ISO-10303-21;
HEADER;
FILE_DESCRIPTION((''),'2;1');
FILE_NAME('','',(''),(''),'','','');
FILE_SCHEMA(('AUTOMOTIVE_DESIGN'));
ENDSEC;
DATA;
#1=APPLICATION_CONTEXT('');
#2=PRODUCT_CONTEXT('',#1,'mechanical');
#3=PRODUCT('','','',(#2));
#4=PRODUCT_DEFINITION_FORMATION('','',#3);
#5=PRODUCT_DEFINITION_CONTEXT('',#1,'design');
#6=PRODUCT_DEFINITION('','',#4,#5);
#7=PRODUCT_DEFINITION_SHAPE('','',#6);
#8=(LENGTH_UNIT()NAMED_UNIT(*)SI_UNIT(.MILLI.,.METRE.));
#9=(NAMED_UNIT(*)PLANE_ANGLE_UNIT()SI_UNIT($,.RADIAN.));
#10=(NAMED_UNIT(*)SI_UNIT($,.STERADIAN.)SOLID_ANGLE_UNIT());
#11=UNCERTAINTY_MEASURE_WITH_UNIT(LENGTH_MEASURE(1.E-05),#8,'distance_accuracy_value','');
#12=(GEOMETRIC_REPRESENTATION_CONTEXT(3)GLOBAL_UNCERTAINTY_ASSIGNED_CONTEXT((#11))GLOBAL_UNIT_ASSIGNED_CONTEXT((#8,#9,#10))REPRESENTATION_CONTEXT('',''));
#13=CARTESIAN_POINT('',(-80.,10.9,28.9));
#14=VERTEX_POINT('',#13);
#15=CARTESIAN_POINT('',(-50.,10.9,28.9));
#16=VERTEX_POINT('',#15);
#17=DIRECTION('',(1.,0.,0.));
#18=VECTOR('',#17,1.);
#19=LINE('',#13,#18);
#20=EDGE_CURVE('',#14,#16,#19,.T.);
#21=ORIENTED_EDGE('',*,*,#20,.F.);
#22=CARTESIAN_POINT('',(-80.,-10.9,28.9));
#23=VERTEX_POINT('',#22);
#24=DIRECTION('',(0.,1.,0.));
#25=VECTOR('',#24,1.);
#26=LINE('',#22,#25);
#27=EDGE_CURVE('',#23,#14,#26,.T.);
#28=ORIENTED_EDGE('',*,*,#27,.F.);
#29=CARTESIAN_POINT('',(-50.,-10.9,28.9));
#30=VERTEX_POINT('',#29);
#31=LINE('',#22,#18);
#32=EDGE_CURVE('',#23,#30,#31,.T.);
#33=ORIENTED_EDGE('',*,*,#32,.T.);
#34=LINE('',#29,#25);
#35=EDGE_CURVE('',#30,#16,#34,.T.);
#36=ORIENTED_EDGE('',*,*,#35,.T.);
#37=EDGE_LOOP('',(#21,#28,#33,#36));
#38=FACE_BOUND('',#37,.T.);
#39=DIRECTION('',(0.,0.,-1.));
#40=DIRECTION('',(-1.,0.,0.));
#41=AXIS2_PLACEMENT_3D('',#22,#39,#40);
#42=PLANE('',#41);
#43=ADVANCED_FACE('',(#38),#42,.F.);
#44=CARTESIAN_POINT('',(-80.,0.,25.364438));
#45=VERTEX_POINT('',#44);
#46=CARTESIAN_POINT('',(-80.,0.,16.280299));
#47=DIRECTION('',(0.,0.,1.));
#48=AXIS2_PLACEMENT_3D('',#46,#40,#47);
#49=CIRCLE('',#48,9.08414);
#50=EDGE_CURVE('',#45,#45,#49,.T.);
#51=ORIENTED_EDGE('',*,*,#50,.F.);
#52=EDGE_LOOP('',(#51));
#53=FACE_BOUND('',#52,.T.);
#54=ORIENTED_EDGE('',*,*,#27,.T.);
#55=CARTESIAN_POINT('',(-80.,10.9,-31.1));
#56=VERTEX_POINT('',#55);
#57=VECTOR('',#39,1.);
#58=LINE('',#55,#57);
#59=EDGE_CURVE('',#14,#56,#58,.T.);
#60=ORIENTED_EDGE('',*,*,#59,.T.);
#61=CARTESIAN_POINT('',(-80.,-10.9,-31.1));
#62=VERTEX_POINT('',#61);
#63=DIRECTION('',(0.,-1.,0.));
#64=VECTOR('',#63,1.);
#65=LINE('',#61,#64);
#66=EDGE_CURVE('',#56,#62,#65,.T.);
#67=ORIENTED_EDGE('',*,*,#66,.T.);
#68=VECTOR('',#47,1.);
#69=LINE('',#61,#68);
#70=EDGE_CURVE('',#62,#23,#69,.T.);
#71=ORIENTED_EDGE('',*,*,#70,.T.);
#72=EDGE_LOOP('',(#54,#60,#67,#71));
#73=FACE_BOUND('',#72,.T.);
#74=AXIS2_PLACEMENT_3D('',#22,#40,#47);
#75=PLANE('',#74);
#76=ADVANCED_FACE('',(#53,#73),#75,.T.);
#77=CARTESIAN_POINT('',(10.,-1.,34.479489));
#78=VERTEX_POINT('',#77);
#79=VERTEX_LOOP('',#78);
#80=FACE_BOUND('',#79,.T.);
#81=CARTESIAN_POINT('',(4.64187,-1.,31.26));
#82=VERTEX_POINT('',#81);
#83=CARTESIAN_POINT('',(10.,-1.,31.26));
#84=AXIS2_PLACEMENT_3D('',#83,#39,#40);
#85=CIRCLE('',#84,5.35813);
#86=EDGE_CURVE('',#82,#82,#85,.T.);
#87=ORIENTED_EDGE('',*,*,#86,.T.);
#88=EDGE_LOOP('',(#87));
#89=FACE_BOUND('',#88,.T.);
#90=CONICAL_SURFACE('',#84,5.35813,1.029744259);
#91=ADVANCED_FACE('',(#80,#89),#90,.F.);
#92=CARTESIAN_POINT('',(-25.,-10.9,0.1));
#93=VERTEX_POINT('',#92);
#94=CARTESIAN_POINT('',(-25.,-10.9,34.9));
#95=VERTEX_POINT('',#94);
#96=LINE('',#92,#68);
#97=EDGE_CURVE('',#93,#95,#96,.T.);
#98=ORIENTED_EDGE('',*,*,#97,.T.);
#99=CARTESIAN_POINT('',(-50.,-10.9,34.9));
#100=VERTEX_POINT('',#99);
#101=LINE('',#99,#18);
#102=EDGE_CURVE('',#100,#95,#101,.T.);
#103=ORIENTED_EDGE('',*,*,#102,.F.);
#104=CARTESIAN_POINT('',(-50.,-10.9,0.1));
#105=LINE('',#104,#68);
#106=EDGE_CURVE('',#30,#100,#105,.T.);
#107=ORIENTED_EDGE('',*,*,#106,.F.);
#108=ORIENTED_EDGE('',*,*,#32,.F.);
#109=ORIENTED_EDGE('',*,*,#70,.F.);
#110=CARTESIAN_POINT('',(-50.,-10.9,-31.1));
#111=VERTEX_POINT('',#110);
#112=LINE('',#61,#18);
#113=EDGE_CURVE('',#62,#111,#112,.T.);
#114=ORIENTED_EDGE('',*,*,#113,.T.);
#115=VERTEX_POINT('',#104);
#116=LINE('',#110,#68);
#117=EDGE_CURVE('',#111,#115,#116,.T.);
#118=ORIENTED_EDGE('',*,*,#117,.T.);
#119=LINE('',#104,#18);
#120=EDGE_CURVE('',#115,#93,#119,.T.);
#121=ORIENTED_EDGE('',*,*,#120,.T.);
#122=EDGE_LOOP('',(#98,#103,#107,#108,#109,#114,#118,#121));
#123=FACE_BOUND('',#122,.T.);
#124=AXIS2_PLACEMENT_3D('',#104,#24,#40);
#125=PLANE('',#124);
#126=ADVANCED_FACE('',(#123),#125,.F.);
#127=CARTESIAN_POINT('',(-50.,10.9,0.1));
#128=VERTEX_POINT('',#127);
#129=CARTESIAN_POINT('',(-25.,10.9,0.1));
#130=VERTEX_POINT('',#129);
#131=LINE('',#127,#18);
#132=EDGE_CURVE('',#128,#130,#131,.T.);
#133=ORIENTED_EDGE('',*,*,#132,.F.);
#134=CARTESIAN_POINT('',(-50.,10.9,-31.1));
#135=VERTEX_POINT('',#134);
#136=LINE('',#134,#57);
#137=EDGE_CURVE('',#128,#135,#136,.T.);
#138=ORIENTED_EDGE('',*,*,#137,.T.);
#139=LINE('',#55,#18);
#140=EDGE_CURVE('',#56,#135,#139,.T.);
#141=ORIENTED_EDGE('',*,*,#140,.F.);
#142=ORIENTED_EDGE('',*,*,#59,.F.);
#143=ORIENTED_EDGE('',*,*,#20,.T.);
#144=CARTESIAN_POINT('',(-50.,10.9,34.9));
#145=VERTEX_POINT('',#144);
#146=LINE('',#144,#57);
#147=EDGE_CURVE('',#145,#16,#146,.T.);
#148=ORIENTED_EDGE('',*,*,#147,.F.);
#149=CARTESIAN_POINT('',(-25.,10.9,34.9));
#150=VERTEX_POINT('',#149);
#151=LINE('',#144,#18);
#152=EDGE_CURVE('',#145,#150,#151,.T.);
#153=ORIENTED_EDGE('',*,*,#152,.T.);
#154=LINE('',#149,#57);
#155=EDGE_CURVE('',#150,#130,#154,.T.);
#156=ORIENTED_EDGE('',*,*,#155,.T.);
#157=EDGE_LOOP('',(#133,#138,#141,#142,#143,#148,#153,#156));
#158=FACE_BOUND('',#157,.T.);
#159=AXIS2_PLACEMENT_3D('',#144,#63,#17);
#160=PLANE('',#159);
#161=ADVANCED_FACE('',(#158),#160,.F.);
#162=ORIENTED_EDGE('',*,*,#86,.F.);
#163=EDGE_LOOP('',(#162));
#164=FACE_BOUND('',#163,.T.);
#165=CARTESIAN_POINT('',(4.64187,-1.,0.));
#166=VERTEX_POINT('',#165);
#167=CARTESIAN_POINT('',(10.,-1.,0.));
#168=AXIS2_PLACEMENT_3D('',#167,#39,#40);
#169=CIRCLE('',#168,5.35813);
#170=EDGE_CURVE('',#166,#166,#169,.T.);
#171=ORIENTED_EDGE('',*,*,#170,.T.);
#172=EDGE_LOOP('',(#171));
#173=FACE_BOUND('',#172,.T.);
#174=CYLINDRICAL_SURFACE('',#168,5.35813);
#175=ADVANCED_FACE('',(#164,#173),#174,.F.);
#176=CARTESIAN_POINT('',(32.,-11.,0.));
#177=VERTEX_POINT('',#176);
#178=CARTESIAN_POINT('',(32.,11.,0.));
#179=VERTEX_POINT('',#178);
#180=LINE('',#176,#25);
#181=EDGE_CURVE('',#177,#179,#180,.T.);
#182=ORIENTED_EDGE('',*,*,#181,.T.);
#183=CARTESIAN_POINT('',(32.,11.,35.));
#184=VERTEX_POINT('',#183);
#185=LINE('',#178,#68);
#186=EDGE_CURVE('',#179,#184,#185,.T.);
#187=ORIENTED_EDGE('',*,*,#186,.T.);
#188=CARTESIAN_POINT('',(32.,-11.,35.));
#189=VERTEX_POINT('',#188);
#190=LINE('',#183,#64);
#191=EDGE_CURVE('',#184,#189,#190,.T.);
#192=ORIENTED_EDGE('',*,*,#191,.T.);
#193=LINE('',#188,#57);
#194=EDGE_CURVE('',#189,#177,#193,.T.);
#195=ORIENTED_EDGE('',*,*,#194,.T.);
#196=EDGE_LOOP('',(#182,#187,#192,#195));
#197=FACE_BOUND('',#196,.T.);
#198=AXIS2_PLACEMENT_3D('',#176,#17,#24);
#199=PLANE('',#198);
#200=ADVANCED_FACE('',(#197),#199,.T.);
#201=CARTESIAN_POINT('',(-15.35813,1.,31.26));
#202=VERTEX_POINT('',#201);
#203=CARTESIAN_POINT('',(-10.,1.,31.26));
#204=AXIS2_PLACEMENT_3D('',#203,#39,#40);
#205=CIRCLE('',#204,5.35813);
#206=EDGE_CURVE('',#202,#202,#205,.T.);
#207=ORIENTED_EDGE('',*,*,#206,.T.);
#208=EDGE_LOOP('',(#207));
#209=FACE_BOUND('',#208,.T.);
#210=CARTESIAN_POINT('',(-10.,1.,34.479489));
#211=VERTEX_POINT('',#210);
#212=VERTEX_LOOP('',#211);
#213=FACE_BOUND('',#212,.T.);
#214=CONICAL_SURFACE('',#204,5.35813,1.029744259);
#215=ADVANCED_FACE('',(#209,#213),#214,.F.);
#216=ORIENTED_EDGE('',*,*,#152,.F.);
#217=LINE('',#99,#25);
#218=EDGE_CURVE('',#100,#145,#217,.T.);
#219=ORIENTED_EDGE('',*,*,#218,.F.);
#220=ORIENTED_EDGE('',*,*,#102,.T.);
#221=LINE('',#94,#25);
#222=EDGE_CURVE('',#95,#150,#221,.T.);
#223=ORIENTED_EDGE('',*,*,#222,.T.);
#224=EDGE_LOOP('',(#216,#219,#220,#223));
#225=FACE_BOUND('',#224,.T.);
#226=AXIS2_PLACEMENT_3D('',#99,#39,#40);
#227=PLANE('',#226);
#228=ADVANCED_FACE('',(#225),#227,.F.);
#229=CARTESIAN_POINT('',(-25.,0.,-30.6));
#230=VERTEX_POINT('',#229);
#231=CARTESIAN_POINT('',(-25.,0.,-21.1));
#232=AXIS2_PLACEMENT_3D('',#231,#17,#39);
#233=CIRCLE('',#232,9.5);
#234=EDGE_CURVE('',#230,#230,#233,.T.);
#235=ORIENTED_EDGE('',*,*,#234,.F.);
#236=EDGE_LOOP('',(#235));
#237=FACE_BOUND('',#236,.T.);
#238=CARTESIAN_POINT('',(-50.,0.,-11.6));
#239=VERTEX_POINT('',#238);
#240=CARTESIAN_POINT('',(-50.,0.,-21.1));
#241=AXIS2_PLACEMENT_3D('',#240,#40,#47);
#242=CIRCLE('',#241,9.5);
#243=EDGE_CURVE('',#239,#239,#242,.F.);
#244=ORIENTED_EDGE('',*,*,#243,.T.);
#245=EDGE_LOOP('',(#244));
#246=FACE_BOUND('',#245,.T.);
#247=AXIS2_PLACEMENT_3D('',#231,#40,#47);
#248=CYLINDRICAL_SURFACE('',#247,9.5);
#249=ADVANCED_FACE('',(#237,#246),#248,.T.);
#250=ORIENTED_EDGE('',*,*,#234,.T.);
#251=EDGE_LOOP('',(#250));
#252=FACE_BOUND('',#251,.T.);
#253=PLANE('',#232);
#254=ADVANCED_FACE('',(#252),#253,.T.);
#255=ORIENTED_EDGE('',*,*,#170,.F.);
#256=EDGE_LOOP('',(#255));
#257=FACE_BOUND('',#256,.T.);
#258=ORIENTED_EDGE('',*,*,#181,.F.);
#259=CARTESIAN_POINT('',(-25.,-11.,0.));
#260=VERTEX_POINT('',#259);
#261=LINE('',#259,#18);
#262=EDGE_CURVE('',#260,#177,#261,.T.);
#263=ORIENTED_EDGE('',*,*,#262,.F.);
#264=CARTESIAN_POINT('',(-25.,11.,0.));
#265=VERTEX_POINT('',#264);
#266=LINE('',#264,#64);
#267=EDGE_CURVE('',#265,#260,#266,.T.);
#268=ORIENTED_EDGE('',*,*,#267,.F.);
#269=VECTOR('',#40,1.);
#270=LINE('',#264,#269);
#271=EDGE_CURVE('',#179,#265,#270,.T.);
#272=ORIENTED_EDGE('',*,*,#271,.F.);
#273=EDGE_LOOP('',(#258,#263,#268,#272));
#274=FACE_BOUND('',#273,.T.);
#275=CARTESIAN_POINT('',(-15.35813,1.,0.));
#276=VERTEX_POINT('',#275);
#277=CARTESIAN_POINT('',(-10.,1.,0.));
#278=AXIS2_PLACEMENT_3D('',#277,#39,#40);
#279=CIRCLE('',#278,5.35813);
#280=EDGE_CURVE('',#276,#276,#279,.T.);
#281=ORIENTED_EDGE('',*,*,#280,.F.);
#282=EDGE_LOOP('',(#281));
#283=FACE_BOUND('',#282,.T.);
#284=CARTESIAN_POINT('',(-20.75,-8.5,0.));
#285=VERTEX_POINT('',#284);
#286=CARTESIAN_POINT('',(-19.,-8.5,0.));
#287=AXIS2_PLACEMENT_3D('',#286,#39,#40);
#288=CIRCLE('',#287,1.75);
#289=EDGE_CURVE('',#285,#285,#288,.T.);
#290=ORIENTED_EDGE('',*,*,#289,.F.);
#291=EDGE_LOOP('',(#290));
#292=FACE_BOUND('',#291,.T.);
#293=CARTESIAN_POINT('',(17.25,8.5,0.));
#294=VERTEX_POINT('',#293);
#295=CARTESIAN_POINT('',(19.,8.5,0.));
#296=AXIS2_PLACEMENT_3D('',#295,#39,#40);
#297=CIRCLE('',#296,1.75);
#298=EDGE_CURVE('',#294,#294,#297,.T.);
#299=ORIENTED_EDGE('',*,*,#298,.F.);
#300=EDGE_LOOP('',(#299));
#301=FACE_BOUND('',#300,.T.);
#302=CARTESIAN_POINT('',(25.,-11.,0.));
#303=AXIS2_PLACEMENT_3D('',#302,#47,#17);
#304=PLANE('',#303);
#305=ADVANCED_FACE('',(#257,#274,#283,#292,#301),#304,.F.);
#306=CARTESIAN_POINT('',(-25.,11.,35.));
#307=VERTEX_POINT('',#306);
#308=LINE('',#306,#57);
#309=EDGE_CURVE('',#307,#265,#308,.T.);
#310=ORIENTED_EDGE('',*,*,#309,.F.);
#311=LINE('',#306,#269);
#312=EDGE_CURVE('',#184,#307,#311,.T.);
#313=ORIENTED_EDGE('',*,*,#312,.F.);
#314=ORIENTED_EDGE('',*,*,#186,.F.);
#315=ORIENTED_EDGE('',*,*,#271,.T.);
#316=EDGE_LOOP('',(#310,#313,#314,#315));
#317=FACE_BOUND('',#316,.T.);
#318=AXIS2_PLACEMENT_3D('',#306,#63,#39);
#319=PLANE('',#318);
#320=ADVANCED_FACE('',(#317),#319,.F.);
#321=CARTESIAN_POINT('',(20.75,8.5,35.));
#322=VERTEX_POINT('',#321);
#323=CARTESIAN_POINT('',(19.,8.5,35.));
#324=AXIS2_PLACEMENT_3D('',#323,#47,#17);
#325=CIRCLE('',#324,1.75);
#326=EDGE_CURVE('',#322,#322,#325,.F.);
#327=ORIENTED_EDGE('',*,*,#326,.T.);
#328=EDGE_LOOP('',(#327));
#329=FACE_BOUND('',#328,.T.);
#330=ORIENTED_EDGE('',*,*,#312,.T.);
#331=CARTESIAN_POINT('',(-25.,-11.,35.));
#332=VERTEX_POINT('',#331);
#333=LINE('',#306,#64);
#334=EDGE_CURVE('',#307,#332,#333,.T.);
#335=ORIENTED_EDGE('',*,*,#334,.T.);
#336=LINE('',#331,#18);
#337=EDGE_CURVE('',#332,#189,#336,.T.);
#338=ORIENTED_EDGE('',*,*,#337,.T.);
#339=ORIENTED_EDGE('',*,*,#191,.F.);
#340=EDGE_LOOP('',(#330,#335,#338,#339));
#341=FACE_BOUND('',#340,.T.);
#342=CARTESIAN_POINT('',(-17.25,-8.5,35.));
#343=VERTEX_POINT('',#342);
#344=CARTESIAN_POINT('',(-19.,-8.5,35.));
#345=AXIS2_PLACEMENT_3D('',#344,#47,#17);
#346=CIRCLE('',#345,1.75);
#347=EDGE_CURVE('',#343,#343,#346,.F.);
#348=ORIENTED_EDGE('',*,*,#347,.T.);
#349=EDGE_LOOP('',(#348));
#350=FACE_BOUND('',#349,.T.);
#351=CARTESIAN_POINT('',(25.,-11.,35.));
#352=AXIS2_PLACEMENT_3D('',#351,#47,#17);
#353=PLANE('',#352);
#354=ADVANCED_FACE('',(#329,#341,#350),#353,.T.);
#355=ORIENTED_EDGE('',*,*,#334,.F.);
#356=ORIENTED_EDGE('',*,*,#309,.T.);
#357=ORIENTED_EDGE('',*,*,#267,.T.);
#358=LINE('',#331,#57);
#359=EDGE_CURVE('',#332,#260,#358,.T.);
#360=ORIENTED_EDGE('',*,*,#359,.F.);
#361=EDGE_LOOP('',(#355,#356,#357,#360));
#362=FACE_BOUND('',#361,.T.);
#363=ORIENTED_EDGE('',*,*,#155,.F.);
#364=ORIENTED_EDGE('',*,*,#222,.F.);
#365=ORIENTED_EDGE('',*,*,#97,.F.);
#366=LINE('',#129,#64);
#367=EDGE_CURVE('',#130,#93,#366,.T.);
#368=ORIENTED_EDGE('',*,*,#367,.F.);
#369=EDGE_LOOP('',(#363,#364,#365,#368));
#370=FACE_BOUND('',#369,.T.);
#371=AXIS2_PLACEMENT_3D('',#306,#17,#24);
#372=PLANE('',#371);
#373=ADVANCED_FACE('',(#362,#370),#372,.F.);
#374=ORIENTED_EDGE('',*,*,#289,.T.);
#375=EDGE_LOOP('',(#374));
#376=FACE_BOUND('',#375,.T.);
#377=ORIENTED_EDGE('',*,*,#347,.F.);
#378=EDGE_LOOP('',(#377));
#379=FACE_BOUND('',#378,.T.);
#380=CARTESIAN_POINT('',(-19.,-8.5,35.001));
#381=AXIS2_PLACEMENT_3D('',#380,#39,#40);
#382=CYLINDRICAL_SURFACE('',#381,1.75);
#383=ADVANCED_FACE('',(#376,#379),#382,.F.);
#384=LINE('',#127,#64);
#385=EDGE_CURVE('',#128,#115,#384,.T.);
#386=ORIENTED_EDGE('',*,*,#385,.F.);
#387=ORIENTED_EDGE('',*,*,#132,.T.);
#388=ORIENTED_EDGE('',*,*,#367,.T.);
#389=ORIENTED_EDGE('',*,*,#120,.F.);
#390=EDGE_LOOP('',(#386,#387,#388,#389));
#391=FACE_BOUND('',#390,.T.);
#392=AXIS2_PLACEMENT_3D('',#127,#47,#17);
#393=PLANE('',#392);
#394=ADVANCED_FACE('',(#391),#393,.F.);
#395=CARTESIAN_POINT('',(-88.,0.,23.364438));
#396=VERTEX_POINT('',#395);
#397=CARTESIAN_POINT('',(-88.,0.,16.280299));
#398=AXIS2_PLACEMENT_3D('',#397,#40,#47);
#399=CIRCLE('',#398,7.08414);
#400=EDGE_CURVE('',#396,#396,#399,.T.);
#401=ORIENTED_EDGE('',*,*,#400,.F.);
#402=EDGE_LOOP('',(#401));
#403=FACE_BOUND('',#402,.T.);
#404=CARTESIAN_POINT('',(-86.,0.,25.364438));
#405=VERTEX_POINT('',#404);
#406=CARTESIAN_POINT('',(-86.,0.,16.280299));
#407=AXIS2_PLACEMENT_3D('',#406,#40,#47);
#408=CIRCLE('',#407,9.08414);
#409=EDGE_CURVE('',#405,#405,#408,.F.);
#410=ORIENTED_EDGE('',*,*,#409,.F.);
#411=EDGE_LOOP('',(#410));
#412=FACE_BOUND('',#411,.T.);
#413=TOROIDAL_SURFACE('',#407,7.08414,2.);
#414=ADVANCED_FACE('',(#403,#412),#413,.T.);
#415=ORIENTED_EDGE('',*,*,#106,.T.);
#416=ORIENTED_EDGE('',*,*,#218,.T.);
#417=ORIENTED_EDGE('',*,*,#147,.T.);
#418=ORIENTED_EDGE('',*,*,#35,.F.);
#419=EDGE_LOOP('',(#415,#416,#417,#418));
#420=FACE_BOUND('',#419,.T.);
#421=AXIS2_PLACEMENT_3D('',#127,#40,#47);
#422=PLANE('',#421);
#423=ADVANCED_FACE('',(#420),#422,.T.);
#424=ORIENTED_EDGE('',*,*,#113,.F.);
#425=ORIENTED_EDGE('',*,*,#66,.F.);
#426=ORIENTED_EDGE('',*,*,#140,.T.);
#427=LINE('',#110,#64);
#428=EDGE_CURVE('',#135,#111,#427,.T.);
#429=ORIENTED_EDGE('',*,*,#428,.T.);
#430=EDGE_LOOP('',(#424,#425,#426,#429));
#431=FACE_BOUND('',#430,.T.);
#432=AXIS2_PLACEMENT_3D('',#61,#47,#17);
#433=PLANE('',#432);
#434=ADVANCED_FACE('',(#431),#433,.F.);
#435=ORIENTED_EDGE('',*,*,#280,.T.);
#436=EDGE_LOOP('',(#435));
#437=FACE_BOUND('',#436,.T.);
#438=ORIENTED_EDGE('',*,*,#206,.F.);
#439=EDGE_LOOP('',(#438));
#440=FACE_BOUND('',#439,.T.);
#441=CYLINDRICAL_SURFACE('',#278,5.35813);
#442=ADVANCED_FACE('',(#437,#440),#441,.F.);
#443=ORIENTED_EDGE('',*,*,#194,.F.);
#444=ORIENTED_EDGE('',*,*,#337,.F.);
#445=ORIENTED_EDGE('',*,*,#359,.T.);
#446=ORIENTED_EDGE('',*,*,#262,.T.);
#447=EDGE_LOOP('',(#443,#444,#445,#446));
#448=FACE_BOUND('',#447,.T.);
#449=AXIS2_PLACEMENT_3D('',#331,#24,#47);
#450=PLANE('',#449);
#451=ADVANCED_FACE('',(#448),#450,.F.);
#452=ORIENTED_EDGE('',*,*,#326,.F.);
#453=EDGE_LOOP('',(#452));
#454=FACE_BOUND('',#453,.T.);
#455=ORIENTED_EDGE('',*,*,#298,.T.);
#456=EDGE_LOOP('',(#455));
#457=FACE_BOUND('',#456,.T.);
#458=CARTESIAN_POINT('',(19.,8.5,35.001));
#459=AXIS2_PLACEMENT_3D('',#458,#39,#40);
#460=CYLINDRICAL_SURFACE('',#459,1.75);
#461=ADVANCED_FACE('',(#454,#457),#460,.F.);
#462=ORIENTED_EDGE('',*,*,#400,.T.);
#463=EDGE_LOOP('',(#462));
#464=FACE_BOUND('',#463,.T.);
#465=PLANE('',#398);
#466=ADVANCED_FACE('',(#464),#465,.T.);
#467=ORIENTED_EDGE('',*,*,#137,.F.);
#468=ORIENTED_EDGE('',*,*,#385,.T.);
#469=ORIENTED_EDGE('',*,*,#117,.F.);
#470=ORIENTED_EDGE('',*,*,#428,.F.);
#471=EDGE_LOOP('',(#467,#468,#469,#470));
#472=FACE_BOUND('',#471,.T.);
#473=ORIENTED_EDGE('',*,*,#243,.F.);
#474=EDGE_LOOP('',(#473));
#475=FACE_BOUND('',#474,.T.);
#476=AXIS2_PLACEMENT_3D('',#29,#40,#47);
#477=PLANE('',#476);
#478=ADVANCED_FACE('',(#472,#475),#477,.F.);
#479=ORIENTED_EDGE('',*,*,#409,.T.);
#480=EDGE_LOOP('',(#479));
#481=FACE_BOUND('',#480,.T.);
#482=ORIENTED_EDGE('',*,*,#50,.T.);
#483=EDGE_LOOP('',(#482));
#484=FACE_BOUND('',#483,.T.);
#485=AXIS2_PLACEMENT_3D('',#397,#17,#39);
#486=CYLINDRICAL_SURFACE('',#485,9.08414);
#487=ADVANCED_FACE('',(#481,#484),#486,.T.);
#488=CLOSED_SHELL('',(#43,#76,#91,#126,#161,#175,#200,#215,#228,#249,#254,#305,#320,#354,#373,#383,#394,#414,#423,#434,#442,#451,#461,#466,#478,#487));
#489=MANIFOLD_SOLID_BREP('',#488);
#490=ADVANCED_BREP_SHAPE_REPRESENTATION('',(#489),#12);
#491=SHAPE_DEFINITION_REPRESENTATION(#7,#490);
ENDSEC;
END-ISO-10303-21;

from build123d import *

# Parameters (mm, degrees)
SKETCH_1_W                 = 50
SKETCH_1_H                 = 22
EXTRUDE_1_DEPTH            = 35
SKETCH_2_R                 = 1.27968475
SKETCH_2_R_2               = 1.164740644
CUT_EXTRUDE_1_DEPTH        = 10
HOLE_WIZARD_1_2_13_1_D     = 10.71626
HOLE_WIZARD_1_2_13_1_DEPTH = 31.26
HOLE_WIZARD_1_2_13_1_TIP   = 3.219489309
CUT_EXTRUDE_2_REACH        = 46.396
SKETCH_5_R                 = 1.75
SKETCH_6_W                 = 35
SKETCH_6_H                 = 22
EXTRUDE_3_DEPTH            = 7
SKETCH_7_W                 = 34.8
SKETCH_7_H                 = 21.8
EXTRUDE_4_DEPTH            = 25
SKETCH_8_W                 = 60
SKETCH_8_H                 = 21.8
EXTRUDE_5_DEPTH            = 30
SKETCH_9_R                 = 9.5
EXTRUDE_6_DEPTH            = 25
SKETCH_10_R                = 9.084139512
EXTRUDE_7_DEPTH            = 8
FILLET_1_R                 = 2


with BuildPart() as part:
    # 草图1 → 凸台-拉伸1 (new body)
    with BuildSketch(Plane.XY):
        Rectangle(SKETCH_1_W, SKETCH_1_H)
    extrude(amount=EXTRUDE_1_DEPTH)

    # 草图2 → 切除-拉伸1 (cut)
    with BuildSketch(Plane(origin=(0, 0, 0), x_dir=(-1, 0, 0), z_dir=(0, 0, -1))):
        with Locations((-10, -1)):
            Circle(SKETCH_2_R)
        with Locations((10, 1)):
            Circle(SKETCH_2_R_2)
    extrude(amount=-CUT_EXTRUDE_1_DEPTH, mode=Mode.SUBTRACT)

    # 1/2-13 螺纹孔1
    with Locations(Plane(origin=(0, 0, 0), x_dir=(-1, 0, 0), z_dir=(0, 0, -1))):
        with Locations((10, 1), (-10, -1)):
            Hole(HOLE_WIZARD_1_2_13_1_D / 2, depth=HOLE_WIZARD_1_2_13_1_DEPTH)
            with Locations((0, 0, -(HOLE_WIZARD_1_2_13_1_DEPTH + HOLE_WIZARD_1_2_13_1_TIP / 2))):  # 118° drill point
                Cone(0, HOLE_WIZARD_1_2_13_1_D / 2, HOLE_WIZARD_1_2_13_1_TIP, mode=Mode.SUBTRACT)

    # 草图5 → 切除-拉伸2 (cut, up to next)
    with BuildSketch(Plane(origin=(0, 0, 0), x_dir=(-1, 0, 0), z_dir=(0, 0, -1)), mode=Mode.PRIVATE) as cut_extrude_2_sk1:
        with Locations((-19, 8.5)):
            Circle(SKETCH_5_R)
    cut_extrude_2_tool1 = extrude(cut_extrude_2_sk1.sketch, amount=-CUT_EXTRUDE_2_REACH, mode=Mode.PRIVATE) & part.part
    # 草图5 → 切除-拉伸2 (cut, up to next)
    with BuildSketch(Plane(origin=(0, 0, 0), x_dir=(-1, 0, 0), z_dir=(0, 0, -1)), mode=Mode.PRIVATE) as cut_extrude_2_sk2:
        with Locations((19, -8.5)):
            Circle(SKETCH_5_R)
    cut_extrude_2_tool2 = extrude(cut_extrude_2_sk2.sketch, amount=-CUT_EXTRUDE_2_REACH, mode=Mode.PRIVATE) & part.part
    add(cut_extrude_2_tool1.solids().sort_by_distance((19, 8.5, 0))[0], mode=Mode.SUBTRACT)
    add(cut_extrude_2_tool2.solids().sort_by_distance((-19, -8.5, 0))[0], mode=Mode.SUBTRACT)

    # 草图6 → 凸台-拉伸3 (add)
    with BuildSketch(Plane(origin=(25, 0, 0), x_dir=(0, 0, -1), z_dir=(1, 0, 0))):
        with Locations((-17.5, 0)):
            Rectangle(SKETCH_6_W, SKETCH_6_H)
    extrude(amount=EXTRUDE_3_DEPTH)

    # 草图7 → 凸台-拉伸4 (add)
    with BuildSketch(Plane.ZY.offset(25)):
        with Locations((17.5, 0)):
            Rectangle(SKETCH_7_W, SKETCH_7_H)
    extrude(amount=EXTRUDE_4_DEPTH)

    # 草图8 → 凸台-拉伸5 (add)
    with BuildSketch(Plane.ZY.offset(50)):
        with Locations((-1.1, 0)):
            Rectangle(SKETCH_8_W, SKETCH_8_H)
    extrude(amount=EXTRUDE_5_DEPTH)

    # 草图9 → 凸台-拉伸6 (add)
    with BuildSketch(Plane(origin=(-50, 0, 0), x_dir=(0, 0, -1), z_dir=(1, 0, 0))):
        with Locations(Location((21.1, 0, 0), (0, 0, 180))):
            Circle(SKETCH_9_R)
    extrude(amount=EXTRUDE_6_DEPTH)

    # 草图10 → 凸台-拉伸7 (add)
    with BuildSketch(Plane.ZY.offset(80)):
        with Locations((16.280298675, 0)):
            Circle(SKETCH_10_R)
    extrude(amount=EXTRUDE_7_DEPTH)

    # 圆角1
    fillet_1_edges = [part.edges().sort_by_distance(p)[0] for p in [
        (-88, 0, 7.196159162),
    ]]
    fillet(fillet_1_edges, radius=FILLET_1_R)


solid = part.part
